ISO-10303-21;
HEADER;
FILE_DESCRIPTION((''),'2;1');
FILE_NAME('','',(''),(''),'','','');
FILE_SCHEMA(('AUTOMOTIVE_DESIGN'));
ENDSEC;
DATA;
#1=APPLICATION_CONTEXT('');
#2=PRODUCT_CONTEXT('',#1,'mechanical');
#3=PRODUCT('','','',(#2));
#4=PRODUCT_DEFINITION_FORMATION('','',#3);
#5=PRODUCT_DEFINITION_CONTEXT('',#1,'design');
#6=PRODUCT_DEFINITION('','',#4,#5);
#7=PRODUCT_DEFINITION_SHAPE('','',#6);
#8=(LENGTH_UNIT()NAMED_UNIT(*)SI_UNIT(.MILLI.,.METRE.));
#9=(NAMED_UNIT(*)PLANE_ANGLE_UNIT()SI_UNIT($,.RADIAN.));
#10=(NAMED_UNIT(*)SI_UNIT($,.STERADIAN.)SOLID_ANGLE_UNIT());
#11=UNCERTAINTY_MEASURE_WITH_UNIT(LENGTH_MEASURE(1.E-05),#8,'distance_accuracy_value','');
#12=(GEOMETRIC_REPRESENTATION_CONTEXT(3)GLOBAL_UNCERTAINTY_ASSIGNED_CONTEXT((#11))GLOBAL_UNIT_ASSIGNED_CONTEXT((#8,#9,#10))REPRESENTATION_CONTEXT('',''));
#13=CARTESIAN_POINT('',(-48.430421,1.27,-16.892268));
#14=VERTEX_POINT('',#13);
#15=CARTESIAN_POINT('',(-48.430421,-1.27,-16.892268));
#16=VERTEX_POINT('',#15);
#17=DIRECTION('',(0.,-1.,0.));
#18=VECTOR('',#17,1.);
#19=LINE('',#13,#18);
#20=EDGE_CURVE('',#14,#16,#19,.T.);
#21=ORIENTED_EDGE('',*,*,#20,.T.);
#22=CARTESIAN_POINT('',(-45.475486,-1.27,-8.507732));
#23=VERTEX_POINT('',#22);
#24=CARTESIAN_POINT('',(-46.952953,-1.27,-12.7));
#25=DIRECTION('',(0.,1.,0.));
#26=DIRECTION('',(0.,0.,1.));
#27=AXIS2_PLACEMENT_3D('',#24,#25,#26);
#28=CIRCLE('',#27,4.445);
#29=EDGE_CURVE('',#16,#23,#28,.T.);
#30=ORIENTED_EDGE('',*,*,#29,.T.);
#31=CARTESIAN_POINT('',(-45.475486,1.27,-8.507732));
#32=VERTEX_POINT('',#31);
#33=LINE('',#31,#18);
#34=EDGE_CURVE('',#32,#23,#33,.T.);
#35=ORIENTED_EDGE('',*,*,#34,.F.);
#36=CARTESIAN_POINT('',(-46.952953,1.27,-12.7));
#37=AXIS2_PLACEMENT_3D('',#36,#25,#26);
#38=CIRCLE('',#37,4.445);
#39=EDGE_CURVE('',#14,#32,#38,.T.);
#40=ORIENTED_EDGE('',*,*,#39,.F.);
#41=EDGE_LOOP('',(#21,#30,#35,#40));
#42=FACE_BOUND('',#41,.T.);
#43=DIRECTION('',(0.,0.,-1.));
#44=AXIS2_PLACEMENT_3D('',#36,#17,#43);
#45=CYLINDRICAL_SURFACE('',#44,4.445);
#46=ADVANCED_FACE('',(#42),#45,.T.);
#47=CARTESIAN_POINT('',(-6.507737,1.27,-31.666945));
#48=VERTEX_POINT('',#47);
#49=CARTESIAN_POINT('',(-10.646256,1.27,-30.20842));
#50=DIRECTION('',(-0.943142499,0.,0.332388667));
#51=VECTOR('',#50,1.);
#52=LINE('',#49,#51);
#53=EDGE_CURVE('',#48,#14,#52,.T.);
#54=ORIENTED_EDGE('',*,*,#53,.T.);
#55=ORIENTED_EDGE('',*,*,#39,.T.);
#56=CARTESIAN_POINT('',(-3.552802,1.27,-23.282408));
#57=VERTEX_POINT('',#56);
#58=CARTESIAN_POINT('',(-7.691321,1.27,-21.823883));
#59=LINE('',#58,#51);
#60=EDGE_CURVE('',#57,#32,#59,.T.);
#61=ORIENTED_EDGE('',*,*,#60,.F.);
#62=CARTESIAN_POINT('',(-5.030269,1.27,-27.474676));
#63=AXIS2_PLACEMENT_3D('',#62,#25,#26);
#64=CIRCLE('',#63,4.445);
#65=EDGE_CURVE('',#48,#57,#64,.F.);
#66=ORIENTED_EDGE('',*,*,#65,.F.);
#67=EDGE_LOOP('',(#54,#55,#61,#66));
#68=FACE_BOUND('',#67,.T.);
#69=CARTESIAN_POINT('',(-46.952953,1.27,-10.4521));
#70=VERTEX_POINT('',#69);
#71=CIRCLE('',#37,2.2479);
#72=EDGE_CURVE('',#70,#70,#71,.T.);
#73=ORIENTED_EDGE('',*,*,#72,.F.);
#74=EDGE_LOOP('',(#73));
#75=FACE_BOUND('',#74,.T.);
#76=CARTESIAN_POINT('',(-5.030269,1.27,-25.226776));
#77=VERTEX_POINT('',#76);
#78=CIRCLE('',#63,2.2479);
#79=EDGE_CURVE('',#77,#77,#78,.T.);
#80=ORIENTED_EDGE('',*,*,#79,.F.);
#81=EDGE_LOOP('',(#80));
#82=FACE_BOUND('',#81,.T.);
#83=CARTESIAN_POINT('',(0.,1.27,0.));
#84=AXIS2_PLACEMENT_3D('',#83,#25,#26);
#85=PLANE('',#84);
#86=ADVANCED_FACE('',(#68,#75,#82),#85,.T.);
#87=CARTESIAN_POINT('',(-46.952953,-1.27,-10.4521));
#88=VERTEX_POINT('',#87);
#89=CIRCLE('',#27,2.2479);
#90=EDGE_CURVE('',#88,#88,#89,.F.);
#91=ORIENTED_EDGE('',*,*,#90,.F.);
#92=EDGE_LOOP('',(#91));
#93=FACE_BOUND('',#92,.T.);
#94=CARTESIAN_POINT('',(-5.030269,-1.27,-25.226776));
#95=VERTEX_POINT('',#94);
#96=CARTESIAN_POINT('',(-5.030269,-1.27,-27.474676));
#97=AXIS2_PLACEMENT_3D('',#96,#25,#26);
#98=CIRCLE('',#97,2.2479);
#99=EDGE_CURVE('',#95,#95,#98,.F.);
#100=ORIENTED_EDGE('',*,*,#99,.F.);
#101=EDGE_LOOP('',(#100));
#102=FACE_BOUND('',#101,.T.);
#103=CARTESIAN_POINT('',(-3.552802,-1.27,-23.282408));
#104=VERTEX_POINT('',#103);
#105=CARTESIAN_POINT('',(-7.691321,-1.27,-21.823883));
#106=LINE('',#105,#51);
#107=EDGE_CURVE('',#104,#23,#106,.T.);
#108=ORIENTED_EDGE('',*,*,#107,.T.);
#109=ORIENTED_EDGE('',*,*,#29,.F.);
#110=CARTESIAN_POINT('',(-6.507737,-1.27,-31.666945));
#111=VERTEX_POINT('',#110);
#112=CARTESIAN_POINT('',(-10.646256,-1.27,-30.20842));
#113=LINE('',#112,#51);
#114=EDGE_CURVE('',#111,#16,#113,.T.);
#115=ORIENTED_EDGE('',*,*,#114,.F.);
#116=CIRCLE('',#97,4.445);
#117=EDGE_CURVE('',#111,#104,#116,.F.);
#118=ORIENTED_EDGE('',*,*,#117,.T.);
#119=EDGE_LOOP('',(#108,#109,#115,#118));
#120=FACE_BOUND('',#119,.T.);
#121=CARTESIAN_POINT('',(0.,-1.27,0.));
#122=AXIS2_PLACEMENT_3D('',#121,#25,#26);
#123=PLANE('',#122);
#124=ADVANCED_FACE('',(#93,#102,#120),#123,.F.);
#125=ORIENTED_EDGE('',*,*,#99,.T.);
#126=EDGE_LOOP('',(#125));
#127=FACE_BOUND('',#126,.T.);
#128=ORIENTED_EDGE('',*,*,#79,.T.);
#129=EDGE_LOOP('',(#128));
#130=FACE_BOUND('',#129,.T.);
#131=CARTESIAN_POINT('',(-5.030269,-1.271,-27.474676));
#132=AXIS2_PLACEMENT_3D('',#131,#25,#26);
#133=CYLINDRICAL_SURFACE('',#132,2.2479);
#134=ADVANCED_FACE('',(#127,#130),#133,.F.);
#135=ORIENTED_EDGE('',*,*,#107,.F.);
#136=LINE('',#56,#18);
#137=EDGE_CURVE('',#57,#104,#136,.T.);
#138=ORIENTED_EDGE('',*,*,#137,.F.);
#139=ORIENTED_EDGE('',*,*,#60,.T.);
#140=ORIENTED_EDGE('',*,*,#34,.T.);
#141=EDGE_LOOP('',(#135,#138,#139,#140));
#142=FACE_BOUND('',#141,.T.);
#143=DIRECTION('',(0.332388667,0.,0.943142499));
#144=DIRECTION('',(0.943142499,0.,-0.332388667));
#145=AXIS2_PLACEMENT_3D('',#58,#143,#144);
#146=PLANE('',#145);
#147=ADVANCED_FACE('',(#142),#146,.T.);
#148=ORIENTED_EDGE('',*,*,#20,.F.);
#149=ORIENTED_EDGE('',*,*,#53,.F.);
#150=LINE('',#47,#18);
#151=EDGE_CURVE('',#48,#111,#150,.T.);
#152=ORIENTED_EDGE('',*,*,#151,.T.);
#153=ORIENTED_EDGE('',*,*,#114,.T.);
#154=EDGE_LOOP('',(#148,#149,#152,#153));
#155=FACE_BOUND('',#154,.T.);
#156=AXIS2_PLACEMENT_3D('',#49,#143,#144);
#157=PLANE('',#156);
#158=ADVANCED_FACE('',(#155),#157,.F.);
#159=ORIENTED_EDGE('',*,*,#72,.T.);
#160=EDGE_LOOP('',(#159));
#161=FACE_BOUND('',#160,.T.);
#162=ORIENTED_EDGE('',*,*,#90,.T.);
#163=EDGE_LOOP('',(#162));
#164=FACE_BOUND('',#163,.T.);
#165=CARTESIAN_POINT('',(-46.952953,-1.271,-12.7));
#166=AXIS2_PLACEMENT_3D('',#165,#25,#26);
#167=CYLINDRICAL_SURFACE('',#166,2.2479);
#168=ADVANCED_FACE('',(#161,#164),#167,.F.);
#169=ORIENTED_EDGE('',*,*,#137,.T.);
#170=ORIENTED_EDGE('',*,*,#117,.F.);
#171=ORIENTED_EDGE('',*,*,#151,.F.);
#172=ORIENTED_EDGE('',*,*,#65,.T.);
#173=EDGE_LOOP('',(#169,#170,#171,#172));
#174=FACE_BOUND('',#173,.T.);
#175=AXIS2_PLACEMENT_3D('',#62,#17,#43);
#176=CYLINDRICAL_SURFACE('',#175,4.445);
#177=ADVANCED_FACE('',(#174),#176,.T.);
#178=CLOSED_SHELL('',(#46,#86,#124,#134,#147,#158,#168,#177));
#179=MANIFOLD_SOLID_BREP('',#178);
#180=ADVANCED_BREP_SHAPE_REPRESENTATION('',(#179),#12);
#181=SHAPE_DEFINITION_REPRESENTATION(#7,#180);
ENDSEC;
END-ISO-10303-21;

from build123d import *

# Parameters (mm, degrees)
BOSS_EXTRUDE1_DEPTH = 1.27
CUT_EXTRUDE1_REACH  = 4.54
SKETCH3_R           = 2.2479


with BuildPart() as part:
    # Sketch2 → Boss-Extrude1 (new body, symmetric)
    with BuildSketch(Plane(origin=(0, 0, 0), x_dir=(1, 0, 0), z_dir=(0, 1, 0))):
        with BuildLine():
            ThreePointArc((-6.507736872, 31.666944674), (-0.838000837, 28.952143892), (-3.552801619, 23.282407856))
            Line((-3.552801619, 23.282407856), (-45.475485708, 8.507731591))
            ThreePointArc((-45.475485708, 8.507731591), (-51.145221744, 11.222532373), (-48.430420961, 16.892268409))
            Line((-48.430420961, 16.892268409), (-6.507736872, 31.666944674))
        make_face()
    extrude(amount=BOSS_EXTRUDE1_DEPTH, both=True)

    # Sketch3 → Cut-Extrude1 (cut, up to next)
    with BuildSketch(Plane(origin=(0, 1.27, 0), x_dir=(1, 0, 0), z_dir=(0, 1, 0)), mode=Mode.PRIVATE) as cut_extrude1_sk1:
        with Locations((-5.030269245, 27.474676265)):
            Circle(SKETCH3_R)
    cut_extrude1_tool1 = extrude(cut_extrude1_sk1.sketch, amount=-CUT_EXTRUDE1_REACH, mode=Mode.PRIVATE) & part.part
    add(cut_extrude1_tool1.solids().sort_by_distance((-5.030269, 1.27, -27.474676))[0], mode=Mode.SUBTRACT)
    # Sketch3 → Cut-Extrude1 (cut, up to next)
    with BuildSketch(Plane(origin=(0, 1.27, 0), x_dir=(1, 0, 0), z_dir=(0, 1, 0)), mode=Mode.PRIVATE) as cut_extrude1_sk2:
        with Locations((-46.952953335, 12.7)):
            Circle(SKETCH3_R)
    cut_extrude1_tool2 = extrude(cut_extrude1_sk2.sketch, amount=-CUT_EXTRUDE1_REACH, mode=Mode.PRIVATE) & part.part
    add(cut_extrude1_tool2.solids().sort_by_distance((-46.952953, 1.27, -12.7))[0], mode=Mode.SUBTRACT)


solid = part.part
